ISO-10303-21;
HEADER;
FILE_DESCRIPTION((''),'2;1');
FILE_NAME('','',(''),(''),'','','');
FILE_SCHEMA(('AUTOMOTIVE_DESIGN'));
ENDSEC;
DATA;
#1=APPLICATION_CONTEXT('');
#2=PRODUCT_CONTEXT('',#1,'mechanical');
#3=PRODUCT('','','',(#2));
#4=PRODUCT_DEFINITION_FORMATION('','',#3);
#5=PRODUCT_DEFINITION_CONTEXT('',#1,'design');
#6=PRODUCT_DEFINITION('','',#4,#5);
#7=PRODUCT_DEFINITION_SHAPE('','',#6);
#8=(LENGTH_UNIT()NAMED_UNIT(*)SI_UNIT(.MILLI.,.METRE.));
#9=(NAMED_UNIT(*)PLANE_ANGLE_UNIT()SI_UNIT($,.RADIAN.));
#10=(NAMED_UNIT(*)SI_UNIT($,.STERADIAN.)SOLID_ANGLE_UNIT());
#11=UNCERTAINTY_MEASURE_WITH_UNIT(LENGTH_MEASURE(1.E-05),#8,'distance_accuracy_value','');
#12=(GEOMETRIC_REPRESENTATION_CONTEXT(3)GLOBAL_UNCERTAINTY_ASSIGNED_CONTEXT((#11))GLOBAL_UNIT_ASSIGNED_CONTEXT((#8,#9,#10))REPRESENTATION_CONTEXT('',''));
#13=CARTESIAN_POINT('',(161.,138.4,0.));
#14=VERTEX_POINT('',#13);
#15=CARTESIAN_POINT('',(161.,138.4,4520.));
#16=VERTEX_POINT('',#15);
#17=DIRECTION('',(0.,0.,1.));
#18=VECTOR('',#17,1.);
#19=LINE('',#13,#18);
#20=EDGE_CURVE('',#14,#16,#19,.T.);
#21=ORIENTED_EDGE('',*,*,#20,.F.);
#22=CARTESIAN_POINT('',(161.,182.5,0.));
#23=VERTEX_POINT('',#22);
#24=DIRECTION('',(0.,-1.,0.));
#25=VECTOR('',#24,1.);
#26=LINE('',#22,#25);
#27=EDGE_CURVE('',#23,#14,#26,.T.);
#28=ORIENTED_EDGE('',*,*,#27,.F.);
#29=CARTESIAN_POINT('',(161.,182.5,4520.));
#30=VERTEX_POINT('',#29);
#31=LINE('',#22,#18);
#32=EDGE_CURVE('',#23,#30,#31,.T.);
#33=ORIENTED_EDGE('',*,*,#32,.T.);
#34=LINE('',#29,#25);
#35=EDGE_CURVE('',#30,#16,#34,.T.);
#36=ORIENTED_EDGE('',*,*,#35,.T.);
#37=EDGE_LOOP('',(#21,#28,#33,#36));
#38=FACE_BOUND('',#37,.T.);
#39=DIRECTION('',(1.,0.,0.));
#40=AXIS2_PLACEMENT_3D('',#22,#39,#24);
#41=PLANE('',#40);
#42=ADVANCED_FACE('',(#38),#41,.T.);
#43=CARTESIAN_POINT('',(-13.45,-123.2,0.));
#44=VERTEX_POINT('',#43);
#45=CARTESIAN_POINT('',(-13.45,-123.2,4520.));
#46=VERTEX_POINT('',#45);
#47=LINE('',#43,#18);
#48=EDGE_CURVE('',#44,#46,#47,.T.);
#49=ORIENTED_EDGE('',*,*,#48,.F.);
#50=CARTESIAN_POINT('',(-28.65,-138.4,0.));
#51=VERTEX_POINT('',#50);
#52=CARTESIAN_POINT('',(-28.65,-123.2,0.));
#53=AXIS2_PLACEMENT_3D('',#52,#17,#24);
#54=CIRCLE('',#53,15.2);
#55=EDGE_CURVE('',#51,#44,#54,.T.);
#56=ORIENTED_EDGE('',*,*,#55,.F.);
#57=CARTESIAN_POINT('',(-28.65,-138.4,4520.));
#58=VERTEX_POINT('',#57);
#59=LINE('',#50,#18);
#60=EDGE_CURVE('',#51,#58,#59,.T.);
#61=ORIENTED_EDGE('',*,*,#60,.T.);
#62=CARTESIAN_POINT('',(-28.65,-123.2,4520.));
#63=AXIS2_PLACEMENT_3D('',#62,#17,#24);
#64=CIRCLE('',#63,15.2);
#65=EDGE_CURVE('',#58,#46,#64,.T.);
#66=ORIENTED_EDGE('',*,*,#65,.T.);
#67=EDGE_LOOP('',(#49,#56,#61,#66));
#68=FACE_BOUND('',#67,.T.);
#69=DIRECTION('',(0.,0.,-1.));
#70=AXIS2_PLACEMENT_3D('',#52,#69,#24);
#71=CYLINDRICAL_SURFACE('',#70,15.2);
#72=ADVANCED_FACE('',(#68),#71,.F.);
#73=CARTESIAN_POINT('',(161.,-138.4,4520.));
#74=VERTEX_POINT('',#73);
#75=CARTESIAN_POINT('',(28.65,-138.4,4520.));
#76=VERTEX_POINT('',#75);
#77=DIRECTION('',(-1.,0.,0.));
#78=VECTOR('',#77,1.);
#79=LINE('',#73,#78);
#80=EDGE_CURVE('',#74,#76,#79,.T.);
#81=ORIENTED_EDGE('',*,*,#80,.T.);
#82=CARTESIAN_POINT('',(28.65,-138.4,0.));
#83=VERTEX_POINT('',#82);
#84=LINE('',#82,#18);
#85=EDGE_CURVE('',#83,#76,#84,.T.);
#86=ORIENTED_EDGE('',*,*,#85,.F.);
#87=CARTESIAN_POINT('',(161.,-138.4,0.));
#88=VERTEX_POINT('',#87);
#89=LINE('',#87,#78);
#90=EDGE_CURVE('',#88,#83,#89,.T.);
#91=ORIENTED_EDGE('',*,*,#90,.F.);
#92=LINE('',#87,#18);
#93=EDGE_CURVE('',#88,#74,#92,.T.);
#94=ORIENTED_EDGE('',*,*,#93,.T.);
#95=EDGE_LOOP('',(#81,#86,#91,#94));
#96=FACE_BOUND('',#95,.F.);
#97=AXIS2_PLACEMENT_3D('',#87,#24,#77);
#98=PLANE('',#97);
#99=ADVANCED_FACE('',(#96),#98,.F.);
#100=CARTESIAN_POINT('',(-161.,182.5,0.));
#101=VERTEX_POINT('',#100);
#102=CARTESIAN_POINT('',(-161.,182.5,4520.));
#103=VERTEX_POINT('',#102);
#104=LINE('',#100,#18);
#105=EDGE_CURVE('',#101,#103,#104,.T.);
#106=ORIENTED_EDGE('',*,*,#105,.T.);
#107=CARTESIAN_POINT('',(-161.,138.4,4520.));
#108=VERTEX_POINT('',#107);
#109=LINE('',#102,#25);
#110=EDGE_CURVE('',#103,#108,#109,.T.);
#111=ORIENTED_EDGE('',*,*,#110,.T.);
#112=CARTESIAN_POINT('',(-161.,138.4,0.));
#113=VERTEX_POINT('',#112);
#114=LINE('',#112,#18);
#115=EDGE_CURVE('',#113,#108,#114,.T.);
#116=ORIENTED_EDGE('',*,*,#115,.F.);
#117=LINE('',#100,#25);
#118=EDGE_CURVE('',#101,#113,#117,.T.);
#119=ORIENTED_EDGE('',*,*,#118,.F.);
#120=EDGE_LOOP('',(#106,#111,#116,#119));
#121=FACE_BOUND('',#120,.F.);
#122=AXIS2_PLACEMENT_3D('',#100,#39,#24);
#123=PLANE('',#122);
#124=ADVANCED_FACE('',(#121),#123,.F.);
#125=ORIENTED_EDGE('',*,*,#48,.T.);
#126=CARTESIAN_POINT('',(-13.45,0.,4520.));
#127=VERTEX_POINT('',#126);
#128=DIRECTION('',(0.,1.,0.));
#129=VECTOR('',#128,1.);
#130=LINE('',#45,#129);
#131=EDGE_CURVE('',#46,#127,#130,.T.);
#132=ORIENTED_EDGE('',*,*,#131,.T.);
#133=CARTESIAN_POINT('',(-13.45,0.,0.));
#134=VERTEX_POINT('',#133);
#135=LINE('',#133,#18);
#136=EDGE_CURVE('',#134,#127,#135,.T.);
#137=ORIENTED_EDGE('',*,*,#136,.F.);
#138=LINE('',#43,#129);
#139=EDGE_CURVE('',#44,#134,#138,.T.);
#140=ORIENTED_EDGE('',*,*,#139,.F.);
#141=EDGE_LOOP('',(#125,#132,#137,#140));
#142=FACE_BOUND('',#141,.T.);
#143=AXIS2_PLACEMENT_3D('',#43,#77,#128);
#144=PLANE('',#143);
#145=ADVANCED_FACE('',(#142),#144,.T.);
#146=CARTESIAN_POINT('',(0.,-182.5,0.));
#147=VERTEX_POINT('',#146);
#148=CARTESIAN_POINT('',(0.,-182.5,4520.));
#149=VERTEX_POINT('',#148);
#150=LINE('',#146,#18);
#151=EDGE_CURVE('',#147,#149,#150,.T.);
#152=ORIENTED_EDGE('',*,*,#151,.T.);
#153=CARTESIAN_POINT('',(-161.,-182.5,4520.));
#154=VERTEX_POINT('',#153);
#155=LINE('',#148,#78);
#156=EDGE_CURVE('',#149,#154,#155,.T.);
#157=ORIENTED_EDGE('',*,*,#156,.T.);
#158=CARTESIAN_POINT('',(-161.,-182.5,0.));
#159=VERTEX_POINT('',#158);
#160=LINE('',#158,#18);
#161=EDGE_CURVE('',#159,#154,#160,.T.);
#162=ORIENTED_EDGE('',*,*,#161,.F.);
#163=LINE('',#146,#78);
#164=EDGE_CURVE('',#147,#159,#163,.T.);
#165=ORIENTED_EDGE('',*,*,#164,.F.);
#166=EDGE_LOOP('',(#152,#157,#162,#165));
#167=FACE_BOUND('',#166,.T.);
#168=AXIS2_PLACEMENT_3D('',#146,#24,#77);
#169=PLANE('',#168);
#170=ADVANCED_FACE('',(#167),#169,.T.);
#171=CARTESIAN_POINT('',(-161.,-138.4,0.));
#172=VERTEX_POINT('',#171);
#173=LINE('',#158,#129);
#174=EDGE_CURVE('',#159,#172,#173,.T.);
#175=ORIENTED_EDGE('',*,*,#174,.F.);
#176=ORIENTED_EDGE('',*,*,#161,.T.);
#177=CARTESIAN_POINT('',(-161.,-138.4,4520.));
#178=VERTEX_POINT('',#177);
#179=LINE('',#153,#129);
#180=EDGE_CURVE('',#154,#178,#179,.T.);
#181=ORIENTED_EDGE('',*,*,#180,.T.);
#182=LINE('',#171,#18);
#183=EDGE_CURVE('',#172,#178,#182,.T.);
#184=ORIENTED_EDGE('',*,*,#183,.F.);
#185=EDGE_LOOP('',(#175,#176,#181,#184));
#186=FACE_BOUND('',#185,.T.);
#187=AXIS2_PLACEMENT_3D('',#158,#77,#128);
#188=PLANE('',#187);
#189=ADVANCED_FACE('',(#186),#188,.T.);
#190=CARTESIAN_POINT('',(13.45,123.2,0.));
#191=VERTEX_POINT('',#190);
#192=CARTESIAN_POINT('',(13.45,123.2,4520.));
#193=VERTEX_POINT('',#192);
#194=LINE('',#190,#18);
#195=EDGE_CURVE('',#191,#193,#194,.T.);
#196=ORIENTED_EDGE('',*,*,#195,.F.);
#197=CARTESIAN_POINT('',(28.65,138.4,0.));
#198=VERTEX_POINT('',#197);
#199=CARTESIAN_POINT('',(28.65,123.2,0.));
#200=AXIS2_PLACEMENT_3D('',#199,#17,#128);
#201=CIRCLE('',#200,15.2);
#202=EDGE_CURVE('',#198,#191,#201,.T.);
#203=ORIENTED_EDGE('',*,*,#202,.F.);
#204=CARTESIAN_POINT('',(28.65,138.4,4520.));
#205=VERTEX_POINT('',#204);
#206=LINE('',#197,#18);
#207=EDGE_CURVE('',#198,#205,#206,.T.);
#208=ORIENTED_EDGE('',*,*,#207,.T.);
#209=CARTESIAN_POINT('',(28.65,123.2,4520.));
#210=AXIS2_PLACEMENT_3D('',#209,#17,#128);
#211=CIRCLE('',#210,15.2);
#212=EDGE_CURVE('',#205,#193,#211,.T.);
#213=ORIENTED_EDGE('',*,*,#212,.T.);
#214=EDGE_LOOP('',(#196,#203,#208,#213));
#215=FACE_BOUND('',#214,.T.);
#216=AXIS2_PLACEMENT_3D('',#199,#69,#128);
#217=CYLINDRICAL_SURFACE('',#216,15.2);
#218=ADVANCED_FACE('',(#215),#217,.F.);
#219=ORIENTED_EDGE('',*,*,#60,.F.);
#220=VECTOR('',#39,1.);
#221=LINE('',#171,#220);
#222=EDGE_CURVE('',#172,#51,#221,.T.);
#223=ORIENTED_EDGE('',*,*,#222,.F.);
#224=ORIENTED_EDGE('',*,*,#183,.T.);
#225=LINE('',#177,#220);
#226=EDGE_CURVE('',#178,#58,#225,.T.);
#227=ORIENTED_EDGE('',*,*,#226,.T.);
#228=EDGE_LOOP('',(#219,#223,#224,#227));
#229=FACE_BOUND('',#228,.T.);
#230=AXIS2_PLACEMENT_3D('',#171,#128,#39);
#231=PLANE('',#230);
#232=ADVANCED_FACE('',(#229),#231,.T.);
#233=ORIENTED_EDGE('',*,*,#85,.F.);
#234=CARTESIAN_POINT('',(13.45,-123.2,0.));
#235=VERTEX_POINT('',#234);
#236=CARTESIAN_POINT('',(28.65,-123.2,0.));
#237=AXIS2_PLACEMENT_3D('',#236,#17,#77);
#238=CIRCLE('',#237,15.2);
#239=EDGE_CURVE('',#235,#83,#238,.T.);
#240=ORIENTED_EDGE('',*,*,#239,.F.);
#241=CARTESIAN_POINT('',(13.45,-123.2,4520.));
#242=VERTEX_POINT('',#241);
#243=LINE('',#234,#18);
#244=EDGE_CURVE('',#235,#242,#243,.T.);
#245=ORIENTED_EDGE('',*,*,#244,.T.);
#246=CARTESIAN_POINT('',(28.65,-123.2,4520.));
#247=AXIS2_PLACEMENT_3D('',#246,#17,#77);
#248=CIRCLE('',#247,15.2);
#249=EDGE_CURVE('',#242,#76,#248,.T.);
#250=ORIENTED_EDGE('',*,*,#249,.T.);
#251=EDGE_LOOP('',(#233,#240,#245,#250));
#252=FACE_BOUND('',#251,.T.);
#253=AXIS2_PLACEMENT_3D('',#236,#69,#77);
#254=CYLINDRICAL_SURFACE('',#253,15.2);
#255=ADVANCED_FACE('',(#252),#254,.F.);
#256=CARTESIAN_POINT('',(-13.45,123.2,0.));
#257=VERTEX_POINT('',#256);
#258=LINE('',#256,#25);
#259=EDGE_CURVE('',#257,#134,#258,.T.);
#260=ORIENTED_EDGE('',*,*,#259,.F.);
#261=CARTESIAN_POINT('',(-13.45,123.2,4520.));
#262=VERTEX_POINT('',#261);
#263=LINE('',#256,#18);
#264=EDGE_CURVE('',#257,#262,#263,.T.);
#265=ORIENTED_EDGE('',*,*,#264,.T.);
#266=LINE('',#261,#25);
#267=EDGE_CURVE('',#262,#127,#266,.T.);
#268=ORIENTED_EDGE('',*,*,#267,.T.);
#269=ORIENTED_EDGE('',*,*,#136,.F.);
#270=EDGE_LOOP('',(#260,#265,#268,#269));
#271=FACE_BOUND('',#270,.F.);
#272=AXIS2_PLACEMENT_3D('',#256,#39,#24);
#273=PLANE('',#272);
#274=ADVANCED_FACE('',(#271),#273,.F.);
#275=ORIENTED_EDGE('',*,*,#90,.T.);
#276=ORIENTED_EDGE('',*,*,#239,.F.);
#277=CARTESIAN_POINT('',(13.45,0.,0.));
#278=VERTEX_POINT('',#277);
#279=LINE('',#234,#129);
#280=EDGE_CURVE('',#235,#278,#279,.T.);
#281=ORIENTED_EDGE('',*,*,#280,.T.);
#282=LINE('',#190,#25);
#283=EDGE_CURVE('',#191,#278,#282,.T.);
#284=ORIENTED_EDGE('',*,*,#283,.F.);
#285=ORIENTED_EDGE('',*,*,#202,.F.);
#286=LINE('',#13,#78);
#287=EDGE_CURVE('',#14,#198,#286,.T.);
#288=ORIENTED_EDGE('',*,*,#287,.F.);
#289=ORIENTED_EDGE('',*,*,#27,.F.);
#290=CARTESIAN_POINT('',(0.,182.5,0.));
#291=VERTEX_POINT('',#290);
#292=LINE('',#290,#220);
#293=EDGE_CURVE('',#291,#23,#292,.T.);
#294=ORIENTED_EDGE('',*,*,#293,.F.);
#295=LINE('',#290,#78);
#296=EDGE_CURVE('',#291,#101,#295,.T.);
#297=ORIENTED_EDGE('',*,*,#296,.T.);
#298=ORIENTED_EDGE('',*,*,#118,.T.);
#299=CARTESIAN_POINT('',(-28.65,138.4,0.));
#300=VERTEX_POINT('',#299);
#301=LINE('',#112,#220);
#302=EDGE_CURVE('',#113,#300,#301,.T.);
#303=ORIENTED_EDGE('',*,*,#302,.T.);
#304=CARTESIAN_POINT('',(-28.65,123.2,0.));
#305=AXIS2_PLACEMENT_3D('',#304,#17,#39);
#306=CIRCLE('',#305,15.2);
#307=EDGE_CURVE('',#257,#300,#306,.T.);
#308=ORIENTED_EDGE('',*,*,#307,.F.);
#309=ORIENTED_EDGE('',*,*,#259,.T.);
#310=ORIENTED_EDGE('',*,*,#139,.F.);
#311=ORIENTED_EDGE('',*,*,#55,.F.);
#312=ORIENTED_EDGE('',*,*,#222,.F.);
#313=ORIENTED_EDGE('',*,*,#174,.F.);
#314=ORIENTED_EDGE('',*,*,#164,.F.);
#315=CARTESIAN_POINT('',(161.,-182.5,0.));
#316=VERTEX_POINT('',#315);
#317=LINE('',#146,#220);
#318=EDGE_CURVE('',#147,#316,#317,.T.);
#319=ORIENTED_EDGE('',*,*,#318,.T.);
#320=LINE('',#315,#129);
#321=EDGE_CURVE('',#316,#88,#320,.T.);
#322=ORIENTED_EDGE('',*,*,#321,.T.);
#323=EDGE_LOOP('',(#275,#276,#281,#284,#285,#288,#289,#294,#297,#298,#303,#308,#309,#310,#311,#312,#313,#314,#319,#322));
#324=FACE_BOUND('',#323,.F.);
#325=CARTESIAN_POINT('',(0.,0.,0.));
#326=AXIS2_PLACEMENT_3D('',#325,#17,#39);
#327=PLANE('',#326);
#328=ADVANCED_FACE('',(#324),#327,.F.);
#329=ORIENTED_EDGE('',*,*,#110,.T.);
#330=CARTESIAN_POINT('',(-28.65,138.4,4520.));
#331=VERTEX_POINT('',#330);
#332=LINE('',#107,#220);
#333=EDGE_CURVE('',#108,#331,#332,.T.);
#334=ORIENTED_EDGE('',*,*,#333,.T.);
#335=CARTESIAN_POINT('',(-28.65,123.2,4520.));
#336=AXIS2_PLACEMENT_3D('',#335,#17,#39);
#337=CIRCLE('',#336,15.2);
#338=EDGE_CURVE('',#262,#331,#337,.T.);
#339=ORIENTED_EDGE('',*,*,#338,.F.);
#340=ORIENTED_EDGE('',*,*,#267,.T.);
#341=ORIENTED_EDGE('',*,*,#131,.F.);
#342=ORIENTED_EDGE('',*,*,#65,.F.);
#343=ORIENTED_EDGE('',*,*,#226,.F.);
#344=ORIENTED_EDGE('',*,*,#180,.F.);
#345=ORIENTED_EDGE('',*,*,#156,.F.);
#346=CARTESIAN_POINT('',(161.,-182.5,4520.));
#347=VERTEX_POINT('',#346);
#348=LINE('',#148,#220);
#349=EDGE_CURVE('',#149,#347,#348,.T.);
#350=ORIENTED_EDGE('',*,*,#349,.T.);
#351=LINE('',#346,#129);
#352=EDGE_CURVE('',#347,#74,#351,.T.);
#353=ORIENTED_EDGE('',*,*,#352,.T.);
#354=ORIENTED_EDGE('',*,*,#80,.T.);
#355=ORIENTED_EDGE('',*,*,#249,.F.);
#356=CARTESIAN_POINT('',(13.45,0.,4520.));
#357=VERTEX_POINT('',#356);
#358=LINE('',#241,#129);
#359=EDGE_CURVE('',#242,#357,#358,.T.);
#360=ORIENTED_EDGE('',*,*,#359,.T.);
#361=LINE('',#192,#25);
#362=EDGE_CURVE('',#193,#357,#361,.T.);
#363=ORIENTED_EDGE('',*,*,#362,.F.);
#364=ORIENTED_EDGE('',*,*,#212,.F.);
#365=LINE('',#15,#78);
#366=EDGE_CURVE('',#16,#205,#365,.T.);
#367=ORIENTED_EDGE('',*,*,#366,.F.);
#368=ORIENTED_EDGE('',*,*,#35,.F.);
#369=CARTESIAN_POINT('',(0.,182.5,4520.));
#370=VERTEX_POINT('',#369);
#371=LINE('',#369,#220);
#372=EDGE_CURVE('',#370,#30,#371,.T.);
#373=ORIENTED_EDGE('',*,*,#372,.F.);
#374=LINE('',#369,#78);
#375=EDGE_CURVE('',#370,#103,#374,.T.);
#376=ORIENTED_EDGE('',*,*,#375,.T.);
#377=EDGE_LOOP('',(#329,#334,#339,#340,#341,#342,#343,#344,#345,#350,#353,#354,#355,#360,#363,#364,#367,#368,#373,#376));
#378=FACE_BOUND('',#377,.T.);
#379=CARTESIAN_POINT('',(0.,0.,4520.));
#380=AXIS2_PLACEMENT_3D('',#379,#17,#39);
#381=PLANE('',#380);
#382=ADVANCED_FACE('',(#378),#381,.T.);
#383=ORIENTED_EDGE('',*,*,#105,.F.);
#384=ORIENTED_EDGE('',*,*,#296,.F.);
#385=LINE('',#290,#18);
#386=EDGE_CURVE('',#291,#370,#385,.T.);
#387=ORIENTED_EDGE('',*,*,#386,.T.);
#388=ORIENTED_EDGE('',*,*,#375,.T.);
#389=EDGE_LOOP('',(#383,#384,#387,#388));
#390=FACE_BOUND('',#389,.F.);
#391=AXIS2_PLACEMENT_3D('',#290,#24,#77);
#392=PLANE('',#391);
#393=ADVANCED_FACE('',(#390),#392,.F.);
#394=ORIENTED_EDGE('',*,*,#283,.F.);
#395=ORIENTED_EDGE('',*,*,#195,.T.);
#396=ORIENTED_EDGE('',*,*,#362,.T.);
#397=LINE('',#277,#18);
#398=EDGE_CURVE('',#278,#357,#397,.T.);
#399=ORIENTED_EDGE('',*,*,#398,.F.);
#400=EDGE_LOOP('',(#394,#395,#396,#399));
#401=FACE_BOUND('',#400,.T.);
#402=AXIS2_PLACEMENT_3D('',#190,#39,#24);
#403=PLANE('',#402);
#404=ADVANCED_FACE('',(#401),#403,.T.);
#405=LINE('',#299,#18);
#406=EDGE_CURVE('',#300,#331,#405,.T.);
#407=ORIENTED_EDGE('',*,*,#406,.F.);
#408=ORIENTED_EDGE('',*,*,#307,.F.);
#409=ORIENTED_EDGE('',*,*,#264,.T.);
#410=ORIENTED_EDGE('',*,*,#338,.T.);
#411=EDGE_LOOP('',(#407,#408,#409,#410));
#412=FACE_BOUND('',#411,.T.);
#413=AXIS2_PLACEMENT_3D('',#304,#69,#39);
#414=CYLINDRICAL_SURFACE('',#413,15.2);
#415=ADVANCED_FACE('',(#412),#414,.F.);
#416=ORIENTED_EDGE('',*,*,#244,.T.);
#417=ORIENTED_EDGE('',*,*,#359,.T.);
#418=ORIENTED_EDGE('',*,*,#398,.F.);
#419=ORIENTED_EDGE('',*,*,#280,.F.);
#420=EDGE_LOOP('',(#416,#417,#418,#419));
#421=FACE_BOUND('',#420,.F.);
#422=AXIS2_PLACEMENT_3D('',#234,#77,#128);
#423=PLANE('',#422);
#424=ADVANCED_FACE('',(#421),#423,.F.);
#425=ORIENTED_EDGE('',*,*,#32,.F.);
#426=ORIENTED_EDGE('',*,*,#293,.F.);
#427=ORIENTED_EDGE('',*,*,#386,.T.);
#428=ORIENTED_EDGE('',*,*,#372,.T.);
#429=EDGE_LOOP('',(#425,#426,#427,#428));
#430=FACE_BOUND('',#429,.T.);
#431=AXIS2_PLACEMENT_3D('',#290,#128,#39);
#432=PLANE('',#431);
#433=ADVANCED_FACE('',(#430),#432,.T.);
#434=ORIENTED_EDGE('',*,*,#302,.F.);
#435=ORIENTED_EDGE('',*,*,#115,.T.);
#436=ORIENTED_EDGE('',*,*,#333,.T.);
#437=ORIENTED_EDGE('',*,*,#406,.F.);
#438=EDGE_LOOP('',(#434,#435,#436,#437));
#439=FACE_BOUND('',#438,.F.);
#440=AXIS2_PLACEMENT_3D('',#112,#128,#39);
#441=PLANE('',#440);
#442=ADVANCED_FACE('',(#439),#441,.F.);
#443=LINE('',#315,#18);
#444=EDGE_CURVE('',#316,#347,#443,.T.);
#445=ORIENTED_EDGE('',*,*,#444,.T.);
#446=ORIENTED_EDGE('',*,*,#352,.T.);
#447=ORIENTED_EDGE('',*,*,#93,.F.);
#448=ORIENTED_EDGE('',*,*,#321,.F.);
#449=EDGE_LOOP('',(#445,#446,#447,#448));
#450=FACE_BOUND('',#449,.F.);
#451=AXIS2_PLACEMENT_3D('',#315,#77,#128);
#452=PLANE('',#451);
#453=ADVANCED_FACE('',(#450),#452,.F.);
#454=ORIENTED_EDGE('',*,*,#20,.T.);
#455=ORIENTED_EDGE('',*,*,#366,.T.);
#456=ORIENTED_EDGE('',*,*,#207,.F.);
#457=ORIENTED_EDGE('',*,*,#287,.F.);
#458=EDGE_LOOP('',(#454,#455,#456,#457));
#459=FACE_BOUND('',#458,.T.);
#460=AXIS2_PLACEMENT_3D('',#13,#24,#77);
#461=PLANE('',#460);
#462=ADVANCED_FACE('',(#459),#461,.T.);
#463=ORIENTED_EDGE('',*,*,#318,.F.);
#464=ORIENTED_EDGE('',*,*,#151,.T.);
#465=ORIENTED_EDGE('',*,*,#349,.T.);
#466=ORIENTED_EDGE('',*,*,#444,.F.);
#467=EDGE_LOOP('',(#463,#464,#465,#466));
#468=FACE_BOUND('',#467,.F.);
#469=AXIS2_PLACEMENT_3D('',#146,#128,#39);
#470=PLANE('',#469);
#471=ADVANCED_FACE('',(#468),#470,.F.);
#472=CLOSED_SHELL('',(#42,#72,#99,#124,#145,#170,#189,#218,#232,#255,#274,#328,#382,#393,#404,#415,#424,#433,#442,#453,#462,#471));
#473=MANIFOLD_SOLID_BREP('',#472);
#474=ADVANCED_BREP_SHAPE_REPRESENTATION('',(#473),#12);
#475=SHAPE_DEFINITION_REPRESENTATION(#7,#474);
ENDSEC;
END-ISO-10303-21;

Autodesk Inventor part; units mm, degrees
ref_plane "YZ Plane" through (0, 0, 0) normal (1, 0, 0) x (0, 1, 0)
ref_plane "Start plane" through (0, 0, 0) normal (0, 0, 1) x (1, 0, 0)
ref_plane "End plane" through (0, 0, 4520) normal (0, 0, 1) x (1, 0, 0)
sketch "Sketch" plane through (0, 0, 0) normal (0, 0, 1) x (1, 0, 0)
  line L0 (-161, -182.5) -> (-161, -138.4)
  line L1 (-161, -138.4) -> (-28.65, -138.4)
  line L2 (-13.45, -123.2) -> (-13.45, 0)
  line L3 (-13.45, 0) -> (0, 0) construction
  line L4 (0, 0) -> (0, -182.5) construction
  line L5 (0, -182.5) -> (-161, -182.5)
  line L6 (-60, 0) -> (80, 0) construction
  line L7 (0, -60) -> (0, 80) construction
  line L8 (161, -182.5) -> (161, -138.4)
  line L9 (161, -138.4) -> (28.65, -138.4)
  line L10 (13.45, -123.2) -> (13.45, 0)
  line L11 (13.45, 0) -> (0, 0) construction
  line L12 (0, -182.5) -> (161, -182.5)
  line L13 (-161, 182.5) -> (-161, 138.4)
  line L14 (-161, 138.4) -> (-28.65, 138.4)
  line L15 (-13.45, 123.2) -> (-13.45, 0)
  line L16 (0, 182.5) -> (-161, 182.5)
  line L17 (161, 182.5) -> (161, 138.4)
  line L18 (161, 138.4) -> (28.65, 138.4)
  line L19 (0, 182.5) -> (161, 182.5)
  line L20 (13.45, 123.2) -> (13.45, 0)
  arc A0 (-13.45, 123.2) -> (-28.65, 138.4) centre (-28.65, 123.2) ccw
  arc A1 (28.65, 138.4) -> (13.45, 123.2) centre (28.65, 123.2) ccw
  arc A2 (13.45, -123.2) -> (28.65, -138.4) centre (28.65, -123.2) ccw
  arc A3 (-28.65, -138.4) -> (-13.45, -123.2) centre (-28.65, -123.2) ccw
  line L21 (0, 108) -> (0, -88) construction
  line L22 (-88, 0) -> (108, 0) construction
  point P0 (-13.45, -138.4)
  point P1 (13.45, -138.4)
  point P2 (-13.45, 138.4)
  point P3 (13.45, 138.4)
  dimension "d1" = 182.5
  dimension "d2" = 44.1
  dimension "d3" = 161
  dimension "d4" = 13.45
  dimension "d10" = 15.2
extrude "Body" add sketch "Sketch" along normal up to surface (4520 mm away) from surface at 0
sketch "Sketch4" plane through (0, 0, 0) normal (0, 0, 1) x (1, 0, 0)
  line L0 (0, 0) -> (10, 0)
ref_plane "Work Plane3" through (0, 0, 0) normal (0, -1, 0) x (1, 0, 0)
sketch "Sketch5" plane through (0, 0, 0) normal (0, -1, 0) x (1, 0, 0)
  line L0 (-2, 0) -> (12, 0) projected
  line L1 (-2, 4520) -> (12, 4520) projected
  dimension "d14" = 4520
equation "\"d1\" = 0.5 * G_H"
equation "\"d2\" = G_T1"
equation "\"d3\" = 0.5 * G_W"
equation "\"d4\" = 0.5 * G_T"
equation "\"d10\" = G_IR"
equation "\"d5\" = G_L"
equation "\"G_W\" = 322"
equation "\"G_H\" = 365"
equation "\"G_T\" = 26.9"
equation "\"G_T1\" = 44.1"
equation "\"G_IR\" = 15.2"
equation "\"G_L\" = d14"
equation "\"G_OFFSET_START\" = 0"
equation "\"G_OFFSET_END\" = 0"
properties part number "AS 3679 - 310 UC - 283 - 4520" material "Steel, Mild"
